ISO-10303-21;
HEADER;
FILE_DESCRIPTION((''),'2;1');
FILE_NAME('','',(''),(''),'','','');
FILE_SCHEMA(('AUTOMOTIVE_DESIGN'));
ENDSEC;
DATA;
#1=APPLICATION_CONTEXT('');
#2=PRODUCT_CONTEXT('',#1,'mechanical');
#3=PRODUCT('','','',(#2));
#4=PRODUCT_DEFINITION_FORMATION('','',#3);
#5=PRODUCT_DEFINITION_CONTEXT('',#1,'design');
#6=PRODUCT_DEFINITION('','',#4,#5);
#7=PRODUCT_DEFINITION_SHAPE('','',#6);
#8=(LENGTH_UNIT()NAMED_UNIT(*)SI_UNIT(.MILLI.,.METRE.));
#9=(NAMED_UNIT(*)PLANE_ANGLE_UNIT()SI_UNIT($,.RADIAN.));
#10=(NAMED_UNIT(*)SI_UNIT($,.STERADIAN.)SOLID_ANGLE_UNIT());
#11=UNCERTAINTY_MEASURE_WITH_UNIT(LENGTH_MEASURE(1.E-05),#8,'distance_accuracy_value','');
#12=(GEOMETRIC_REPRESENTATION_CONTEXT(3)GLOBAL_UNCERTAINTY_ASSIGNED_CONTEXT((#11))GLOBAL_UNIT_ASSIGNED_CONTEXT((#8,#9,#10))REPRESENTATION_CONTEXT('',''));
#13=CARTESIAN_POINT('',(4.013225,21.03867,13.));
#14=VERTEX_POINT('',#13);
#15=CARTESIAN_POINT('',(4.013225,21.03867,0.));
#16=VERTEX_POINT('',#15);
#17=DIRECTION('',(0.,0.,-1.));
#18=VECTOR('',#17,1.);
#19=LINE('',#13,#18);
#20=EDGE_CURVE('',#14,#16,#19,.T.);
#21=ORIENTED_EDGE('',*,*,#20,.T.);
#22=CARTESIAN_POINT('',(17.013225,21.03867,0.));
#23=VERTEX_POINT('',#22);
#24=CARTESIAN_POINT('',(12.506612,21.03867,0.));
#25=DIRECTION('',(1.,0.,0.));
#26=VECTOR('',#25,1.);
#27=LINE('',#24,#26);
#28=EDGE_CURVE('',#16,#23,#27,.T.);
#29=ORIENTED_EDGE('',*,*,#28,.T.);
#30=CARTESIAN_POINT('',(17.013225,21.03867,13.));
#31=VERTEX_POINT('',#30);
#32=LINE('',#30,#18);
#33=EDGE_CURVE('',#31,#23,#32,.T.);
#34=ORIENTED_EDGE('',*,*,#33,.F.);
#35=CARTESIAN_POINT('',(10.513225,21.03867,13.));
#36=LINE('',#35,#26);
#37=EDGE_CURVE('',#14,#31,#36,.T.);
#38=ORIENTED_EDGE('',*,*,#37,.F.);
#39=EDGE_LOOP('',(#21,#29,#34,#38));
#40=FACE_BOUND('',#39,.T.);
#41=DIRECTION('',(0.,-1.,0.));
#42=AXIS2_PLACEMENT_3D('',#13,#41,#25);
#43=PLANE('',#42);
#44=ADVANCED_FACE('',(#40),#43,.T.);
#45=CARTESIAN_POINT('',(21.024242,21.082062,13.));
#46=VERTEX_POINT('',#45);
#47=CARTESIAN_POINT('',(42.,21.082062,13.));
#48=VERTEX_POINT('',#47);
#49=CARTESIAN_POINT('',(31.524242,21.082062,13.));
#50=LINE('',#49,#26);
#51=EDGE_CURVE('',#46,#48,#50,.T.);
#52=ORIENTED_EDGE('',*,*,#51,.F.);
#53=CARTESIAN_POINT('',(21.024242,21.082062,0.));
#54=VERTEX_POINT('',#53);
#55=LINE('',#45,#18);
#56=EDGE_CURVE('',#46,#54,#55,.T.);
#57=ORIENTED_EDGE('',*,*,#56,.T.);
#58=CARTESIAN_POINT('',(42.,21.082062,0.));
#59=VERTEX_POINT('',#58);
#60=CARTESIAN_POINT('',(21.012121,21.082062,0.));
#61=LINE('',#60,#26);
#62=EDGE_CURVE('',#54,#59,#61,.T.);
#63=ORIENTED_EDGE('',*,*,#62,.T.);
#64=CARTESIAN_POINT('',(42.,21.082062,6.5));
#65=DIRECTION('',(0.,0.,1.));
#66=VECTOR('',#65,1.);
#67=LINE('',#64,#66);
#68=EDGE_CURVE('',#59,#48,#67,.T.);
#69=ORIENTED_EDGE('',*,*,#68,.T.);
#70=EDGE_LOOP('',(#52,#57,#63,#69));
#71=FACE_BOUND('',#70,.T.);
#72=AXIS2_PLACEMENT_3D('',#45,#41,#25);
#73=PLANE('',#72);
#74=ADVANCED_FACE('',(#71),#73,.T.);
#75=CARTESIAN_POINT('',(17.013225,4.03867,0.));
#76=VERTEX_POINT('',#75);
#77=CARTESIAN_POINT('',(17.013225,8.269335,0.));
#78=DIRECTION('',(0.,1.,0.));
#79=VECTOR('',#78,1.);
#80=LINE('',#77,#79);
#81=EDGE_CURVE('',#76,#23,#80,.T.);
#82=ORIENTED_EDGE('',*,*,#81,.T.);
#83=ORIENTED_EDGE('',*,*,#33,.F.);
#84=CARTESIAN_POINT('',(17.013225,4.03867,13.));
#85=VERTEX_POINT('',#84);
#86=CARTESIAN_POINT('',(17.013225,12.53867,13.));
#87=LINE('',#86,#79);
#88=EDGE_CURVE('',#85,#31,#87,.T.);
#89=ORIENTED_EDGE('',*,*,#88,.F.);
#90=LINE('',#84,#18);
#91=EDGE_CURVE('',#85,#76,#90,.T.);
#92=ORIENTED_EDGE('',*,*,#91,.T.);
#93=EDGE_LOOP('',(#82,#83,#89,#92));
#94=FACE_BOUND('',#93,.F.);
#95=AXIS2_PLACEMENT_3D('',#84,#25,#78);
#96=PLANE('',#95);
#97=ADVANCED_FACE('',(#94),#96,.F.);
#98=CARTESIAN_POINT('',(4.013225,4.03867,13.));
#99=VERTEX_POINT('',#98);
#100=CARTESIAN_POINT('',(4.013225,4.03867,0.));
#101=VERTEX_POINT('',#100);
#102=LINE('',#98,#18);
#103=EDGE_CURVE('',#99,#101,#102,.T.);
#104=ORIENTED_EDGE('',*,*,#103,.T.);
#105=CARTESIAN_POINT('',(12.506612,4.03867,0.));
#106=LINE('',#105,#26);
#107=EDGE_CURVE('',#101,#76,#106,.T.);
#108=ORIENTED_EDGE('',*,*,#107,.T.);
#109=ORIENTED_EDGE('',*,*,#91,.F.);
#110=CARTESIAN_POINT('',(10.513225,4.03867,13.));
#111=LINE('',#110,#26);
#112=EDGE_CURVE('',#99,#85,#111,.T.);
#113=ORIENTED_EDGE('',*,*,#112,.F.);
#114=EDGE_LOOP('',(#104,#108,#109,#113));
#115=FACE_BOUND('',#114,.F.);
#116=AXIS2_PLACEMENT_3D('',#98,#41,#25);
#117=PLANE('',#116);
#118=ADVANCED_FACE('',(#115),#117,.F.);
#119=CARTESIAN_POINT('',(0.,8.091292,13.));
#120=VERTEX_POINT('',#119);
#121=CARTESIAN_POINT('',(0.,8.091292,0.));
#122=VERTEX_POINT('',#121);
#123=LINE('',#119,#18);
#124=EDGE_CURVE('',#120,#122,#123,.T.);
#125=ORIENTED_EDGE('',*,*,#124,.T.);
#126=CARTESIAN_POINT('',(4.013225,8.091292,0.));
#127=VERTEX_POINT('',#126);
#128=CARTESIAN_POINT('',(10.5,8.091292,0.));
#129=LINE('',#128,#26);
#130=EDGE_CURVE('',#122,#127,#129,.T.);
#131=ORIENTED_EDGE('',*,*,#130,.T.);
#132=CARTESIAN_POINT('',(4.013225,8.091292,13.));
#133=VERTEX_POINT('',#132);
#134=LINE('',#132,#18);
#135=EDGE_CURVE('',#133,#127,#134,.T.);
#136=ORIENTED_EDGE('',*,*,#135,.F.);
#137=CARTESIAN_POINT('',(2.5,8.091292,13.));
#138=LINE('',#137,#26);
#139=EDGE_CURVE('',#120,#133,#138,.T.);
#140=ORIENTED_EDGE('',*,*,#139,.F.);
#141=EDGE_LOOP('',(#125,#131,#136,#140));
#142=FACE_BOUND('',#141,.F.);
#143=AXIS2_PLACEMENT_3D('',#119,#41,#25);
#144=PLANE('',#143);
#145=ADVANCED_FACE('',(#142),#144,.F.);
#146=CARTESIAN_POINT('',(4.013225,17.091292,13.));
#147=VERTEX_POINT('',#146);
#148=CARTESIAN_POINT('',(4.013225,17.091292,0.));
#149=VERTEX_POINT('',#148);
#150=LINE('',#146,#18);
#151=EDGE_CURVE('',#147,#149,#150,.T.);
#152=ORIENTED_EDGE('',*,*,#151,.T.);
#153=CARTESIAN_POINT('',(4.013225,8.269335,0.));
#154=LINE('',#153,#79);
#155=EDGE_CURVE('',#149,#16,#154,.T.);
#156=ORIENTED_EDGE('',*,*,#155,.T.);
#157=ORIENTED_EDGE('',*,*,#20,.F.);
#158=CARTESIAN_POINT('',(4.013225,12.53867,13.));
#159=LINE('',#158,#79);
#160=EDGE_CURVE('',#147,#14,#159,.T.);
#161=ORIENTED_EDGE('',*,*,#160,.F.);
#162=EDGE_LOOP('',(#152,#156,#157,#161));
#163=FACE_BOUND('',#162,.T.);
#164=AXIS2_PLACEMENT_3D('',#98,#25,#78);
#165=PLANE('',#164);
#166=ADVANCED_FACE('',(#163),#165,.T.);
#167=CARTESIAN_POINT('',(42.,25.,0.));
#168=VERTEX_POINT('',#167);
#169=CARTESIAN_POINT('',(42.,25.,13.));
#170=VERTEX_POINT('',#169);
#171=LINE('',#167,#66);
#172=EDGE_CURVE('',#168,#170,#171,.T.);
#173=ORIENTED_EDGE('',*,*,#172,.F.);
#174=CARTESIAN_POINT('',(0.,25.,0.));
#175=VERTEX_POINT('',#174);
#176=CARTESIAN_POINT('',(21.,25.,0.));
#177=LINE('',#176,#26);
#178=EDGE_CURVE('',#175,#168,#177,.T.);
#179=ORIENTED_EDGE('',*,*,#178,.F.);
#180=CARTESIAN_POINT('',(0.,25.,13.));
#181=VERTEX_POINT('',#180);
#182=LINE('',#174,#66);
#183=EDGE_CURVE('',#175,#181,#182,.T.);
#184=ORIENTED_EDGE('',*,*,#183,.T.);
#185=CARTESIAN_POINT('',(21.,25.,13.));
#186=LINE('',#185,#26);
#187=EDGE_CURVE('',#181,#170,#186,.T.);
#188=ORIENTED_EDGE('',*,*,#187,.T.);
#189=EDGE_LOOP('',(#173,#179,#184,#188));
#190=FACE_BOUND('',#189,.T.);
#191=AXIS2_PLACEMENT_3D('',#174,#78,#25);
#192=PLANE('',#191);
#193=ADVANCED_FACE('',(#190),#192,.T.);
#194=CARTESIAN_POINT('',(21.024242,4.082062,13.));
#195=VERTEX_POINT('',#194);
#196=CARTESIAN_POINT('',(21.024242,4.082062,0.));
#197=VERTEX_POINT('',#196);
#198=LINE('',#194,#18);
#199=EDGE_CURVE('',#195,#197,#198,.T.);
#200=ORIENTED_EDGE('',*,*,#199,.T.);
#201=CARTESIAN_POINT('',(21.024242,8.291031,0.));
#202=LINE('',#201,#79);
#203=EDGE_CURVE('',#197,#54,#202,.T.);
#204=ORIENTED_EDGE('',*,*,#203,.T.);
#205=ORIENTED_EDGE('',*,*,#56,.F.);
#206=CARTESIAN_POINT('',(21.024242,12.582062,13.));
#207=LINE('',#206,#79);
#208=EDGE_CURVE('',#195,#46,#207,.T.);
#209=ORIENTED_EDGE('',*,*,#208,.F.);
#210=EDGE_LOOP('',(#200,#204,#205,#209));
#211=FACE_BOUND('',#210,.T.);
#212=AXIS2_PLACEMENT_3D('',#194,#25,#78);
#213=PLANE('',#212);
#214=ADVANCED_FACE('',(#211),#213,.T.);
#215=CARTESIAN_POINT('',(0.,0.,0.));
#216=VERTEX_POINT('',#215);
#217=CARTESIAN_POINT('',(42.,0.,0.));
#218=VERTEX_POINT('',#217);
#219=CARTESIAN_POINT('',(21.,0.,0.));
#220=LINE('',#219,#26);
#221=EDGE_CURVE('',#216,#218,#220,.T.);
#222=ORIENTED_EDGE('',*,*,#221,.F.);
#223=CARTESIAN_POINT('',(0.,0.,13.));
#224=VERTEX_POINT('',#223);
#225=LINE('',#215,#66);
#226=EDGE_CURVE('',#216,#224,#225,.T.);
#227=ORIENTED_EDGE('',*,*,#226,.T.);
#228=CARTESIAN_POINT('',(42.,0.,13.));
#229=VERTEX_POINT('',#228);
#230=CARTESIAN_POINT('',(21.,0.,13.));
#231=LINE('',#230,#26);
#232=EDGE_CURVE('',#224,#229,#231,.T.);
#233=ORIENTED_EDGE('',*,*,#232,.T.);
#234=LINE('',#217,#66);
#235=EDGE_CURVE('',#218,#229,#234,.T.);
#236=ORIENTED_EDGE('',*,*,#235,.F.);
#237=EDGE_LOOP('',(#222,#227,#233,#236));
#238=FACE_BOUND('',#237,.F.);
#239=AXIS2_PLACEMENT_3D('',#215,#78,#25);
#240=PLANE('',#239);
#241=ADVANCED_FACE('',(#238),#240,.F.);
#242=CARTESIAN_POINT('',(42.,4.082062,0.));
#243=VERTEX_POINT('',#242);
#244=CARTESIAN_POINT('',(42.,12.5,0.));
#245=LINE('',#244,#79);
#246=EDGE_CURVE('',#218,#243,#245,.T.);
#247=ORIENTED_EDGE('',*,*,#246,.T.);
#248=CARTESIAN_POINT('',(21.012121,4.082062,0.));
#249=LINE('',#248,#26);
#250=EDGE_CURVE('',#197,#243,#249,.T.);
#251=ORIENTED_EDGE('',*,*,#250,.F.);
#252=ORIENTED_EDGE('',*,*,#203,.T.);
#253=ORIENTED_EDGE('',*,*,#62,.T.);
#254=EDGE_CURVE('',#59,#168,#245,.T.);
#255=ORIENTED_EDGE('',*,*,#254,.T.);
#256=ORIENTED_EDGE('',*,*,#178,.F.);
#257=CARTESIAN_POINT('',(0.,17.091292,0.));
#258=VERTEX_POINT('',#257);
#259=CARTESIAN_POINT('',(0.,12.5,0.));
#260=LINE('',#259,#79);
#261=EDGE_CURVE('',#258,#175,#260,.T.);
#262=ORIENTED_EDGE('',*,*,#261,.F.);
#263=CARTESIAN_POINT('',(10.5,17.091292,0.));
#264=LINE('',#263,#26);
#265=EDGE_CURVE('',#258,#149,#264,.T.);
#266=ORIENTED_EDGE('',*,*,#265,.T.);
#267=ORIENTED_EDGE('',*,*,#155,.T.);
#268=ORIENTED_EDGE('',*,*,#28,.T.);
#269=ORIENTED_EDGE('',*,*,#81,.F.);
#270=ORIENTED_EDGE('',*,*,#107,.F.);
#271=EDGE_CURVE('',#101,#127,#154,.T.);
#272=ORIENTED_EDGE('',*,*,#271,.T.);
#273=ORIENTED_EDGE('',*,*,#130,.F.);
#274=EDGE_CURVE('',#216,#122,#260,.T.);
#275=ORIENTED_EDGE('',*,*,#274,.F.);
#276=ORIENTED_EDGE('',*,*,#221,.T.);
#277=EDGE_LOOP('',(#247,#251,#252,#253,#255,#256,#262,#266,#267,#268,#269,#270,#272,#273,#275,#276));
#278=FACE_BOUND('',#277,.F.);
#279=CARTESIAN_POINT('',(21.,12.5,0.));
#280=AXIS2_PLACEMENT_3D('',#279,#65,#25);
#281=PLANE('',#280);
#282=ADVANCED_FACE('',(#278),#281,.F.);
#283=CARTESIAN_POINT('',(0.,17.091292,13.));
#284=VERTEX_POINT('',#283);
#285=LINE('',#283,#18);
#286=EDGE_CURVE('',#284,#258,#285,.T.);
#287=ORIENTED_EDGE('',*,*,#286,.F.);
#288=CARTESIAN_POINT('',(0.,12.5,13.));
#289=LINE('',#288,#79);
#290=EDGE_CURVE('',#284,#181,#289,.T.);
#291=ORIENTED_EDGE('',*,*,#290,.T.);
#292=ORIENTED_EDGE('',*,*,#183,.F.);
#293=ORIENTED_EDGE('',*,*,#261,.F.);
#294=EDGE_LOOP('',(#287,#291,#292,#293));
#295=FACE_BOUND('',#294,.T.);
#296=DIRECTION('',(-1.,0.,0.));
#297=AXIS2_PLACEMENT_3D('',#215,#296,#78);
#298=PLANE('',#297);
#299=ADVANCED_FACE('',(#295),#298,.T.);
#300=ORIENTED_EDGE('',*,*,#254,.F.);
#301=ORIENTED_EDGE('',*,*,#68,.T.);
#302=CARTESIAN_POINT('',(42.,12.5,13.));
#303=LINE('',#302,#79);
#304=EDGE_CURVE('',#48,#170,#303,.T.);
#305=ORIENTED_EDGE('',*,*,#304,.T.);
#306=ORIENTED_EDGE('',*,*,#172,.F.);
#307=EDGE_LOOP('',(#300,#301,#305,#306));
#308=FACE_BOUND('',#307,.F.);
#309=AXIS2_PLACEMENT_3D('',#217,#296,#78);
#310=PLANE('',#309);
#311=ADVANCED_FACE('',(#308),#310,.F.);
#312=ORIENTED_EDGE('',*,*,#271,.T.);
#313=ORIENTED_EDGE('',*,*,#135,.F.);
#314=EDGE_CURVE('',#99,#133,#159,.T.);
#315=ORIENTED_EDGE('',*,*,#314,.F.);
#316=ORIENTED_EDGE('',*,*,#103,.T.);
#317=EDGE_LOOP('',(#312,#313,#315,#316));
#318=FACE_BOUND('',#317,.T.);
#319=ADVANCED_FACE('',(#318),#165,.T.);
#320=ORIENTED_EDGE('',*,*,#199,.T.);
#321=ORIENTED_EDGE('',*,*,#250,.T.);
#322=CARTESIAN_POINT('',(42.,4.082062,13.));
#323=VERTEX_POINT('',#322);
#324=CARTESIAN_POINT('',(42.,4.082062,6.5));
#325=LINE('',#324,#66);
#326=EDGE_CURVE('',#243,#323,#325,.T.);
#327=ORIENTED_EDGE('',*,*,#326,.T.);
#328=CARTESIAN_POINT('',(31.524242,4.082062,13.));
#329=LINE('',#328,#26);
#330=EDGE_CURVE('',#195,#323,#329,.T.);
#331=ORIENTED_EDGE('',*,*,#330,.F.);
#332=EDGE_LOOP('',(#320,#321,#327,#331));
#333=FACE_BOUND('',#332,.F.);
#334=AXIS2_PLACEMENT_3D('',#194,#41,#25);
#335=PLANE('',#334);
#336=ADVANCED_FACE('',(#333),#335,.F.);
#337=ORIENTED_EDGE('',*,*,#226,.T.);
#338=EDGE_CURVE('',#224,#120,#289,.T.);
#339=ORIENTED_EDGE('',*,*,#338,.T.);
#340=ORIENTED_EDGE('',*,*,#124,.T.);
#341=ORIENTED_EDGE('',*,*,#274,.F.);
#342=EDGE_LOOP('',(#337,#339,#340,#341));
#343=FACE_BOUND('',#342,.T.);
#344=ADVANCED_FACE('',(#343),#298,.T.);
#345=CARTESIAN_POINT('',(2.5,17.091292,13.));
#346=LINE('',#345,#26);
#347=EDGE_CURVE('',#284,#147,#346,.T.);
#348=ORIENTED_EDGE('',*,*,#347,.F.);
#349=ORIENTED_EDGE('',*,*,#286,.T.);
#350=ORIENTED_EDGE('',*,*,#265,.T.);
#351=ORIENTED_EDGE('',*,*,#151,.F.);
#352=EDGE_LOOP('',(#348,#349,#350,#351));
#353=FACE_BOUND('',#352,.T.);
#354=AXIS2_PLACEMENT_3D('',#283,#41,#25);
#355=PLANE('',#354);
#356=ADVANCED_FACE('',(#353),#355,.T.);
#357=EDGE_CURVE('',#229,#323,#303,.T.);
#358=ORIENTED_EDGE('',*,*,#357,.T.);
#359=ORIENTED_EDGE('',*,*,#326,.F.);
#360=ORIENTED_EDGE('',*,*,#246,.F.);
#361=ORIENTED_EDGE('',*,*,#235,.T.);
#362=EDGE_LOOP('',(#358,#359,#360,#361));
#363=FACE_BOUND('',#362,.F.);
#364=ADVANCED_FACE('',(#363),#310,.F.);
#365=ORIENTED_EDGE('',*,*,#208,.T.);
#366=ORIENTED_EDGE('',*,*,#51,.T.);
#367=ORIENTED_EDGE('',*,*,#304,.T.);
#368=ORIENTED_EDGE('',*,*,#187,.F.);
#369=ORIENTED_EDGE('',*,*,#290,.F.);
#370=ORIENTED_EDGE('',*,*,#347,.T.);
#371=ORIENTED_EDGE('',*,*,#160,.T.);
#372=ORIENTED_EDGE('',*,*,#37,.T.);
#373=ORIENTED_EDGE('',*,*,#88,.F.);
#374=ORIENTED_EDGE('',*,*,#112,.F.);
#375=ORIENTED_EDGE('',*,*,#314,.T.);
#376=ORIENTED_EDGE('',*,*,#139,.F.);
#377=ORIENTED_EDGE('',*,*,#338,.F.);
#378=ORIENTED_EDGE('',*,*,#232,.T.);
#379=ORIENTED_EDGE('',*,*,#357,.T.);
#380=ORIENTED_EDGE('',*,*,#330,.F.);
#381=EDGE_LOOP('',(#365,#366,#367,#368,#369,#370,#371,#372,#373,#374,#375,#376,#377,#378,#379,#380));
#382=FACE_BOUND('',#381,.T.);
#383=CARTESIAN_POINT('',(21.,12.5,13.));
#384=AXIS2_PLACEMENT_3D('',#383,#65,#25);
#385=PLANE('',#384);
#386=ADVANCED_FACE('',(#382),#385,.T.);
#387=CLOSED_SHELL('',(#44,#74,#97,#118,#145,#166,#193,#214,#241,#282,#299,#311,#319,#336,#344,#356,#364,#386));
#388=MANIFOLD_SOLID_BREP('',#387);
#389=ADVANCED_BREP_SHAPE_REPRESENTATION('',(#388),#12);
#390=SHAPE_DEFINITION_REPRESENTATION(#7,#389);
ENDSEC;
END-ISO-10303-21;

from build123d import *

# Parameters (mm, degrees)
SKETCH_W        = 42
SKETCH_H        = 25
PAD_DEPTH       = 13
SKETCH001_W     = 21
SKETCH001_H     = 17
POCKET_DEPTH    = 17
SKETCH002_W     = 13
SKETCH002_H     = 17
POCKET001_DEPTH = 17
SKETCH003_W     = 5
SKETCH003_H     = 9
POCKET002_DEPTH = 17


with BuildPart() as part:
    # Sketch → Pad (new body)
    with BuildSketch(Plane.XY):
        with Locations((21, 12.5)):
            Rectangle(SKETCH_W, SKETCH_H)
    extrude(amount=PAD_DEPTH)

    # Sketch001 (on Face6 of Pad) → Pocket (cut)
    with BuildSketch(Plane.XY.offset(13)):
        with Locations((31.524242, 12.582062)):
            Rectangle(SKETCH001_W, SKETCH001_H)
    extrude(amount=-POCKET_DEPTH, mode=Mode.SUBTRACT)

    # Sketch002 (on Face5 of Pocket) → Pocket001 (cut)
    with BuildSketch(Plane.XY.offset(13)):
        with Locations((10.513225, 12.53867)):
            Rectangle(SKETCH002_W, SKETCH002_H)
    extrude(amount=-POCKET001_DEPTH, mode=Mode.SUBTRACT)

    # Sketch003 (on Face5 of Pocket001) → Pocket002 (cut)
    with BuildSketch(Plane.XY.offset(13)):
        with Locations((2.5, 12.591292)):
            Rectangle(SKETCH003_W, SKETCH003_H)
    extrude(amount=-POCKET002_DEPTH, mode=Mode.SUBTRACT)


solid = part.part
